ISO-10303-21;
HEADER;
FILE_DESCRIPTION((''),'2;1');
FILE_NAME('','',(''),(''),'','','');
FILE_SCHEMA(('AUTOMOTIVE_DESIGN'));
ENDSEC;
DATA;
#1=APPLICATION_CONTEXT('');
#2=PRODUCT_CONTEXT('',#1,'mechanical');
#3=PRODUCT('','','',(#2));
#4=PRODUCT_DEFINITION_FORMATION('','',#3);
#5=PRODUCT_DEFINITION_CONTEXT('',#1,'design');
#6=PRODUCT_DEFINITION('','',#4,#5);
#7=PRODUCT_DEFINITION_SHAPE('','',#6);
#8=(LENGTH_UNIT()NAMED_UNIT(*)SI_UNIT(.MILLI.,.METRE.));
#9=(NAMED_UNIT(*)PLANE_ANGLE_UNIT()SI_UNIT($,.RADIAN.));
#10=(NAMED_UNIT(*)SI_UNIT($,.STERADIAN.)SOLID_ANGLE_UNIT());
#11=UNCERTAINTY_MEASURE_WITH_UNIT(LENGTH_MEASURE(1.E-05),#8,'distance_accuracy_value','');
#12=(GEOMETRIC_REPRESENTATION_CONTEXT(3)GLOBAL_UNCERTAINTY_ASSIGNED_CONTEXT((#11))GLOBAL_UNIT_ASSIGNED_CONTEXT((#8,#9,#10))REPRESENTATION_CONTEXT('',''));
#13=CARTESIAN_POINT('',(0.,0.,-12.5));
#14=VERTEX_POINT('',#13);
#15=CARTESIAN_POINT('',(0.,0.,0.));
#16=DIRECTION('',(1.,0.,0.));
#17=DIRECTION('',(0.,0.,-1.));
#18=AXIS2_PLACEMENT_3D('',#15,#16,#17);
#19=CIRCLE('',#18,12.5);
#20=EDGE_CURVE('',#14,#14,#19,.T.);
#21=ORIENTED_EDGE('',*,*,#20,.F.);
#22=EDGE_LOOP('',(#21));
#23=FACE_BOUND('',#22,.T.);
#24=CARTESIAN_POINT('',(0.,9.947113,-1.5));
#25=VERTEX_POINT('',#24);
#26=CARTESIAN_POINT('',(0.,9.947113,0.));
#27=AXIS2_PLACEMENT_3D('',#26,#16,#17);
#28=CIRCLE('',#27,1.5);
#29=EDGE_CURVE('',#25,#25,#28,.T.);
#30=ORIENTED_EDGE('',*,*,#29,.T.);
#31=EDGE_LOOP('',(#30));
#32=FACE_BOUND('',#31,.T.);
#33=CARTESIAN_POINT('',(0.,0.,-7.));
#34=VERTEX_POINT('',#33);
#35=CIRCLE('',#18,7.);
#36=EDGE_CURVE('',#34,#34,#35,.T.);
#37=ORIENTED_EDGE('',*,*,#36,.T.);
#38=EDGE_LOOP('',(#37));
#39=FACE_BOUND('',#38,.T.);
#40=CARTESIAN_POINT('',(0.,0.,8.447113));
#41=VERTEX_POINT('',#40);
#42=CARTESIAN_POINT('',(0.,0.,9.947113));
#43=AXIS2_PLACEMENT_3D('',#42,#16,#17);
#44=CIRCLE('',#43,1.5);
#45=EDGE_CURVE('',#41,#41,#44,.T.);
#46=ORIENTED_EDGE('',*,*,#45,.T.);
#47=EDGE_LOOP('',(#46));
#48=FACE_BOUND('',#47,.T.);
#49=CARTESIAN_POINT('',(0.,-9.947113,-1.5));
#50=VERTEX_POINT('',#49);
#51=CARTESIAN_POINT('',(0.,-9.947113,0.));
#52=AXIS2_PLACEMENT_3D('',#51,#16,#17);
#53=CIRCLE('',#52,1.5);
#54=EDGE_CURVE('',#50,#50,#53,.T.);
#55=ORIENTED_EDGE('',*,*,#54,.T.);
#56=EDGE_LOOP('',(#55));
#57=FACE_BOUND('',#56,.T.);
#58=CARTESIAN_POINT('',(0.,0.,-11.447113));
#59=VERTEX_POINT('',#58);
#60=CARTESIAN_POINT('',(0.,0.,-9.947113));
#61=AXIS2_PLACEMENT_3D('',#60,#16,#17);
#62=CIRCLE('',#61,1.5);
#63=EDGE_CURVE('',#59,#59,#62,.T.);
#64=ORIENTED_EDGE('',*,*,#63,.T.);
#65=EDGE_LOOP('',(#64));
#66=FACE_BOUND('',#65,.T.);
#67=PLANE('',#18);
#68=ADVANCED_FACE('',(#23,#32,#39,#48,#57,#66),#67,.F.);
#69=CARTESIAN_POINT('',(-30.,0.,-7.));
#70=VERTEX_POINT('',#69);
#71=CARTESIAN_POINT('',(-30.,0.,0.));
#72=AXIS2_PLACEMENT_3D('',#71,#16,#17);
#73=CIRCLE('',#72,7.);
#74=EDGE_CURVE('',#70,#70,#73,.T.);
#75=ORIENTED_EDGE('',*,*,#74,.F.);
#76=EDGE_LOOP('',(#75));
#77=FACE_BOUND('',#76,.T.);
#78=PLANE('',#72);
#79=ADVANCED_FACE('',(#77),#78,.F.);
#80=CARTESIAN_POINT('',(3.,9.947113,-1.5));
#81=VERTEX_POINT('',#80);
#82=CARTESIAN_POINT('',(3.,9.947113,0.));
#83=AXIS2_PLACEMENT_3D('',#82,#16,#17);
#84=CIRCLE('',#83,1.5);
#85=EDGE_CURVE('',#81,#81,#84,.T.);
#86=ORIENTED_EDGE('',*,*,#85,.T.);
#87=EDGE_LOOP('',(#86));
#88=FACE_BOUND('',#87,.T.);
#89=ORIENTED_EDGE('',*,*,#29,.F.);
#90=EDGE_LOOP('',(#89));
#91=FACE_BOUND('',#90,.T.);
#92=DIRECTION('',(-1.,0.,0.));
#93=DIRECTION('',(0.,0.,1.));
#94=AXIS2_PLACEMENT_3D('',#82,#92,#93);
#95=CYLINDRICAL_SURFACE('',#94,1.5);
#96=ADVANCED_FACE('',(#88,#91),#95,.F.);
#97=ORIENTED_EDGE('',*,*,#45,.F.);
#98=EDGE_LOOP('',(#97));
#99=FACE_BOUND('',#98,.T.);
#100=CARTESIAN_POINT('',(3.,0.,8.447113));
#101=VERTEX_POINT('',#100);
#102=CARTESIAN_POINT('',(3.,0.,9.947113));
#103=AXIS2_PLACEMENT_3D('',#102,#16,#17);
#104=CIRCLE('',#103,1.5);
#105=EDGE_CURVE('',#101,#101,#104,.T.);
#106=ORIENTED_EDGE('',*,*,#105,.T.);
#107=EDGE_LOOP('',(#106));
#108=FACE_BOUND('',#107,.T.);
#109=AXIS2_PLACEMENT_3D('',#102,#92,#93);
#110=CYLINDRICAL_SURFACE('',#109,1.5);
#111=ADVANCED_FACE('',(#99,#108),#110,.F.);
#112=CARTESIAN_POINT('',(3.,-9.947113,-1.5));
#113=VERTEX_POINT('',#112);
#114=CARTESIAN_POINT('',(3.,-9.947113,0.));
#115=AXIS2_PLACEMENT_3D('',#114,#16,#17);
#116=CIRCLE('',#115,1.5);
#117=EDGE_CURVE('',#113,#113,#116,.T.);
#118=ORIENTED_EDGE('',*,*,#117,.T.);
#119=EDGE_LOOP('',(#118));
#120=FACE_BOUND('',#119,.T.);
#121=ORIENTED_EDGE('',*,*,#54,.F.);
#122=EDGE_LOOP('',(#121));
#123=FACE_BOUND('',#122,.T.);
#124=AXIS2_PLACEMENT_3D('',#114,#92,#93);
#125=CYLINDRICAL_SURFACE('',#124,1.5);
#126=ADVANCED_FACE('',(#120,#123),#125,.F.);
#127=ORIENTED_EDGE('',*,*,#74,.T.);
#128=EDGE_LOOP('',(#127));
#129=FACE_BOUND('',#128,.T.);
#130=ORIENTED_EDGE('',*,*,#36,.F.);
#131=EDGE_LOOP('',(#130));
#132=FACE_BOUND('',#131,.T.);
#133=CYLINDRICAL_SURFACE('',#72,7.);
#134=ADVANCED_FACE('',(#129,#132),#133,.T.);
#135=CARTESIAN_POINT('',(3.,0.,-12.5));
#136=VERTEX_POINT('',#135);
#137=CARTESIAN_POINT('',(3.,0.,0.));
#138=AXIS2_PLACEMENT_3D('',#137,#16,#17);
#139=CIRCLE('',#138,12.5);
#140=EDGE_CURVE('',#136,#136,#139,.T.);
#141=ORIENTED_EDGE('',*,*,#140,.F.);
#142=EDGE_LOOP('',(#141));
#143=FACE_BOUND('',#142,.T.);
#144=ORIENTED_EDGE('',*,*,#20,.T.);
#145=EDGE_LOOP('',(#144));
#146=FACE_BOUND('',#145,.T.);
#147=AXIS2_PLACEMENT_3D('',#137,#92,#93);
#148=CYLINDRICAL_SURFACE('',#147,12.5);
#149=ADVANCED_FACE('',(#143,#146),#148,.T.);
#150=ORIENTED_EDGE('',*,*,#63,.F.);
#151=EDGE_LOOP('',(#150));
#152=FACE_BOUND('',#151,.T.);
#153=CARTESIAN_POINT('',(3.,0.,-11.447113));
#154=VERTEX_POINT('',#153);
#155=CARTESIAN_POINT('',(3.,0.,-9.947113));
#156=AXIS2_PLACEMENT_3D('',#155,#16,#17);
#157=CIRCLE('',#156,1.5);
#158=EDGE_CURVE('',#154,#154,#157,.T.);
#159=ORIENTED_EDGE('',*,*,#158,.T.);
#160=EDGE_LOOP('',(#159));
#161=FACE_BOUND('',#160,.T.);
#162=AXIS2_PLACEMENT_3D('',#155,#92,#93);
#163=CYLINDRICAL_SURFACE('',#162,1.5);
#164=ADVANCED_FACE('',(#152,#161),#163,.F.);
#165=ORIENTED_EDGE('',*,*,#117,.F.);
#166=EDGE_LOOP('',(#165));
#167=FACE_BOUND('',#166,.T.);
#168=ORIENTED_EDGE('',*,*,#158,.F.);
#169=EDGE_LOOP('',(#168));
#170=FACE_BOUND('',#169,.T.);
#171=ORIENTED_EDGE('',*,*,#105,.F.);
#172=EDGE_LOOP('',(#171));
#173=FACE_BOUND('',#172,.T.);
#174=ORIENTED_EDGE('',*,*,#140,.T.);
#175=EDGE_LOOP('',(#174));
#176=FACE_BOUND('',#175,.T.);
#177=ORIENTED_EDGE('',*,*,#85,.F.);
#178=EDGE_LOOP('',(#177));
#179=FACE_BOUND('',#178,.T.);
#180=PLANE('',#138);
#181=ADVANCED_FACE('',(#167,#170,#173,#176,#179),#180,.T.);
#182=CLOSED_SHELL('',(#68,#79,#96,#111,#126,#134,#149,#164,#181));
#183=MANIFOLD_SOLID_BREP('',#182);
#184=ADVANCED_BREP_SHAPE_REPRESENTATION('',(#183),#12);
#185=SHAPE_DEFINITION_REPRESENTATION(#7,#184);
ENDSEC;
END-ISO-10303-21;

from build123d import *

# Parameters (mm, degrees)
SKETCH1_R           = 7
BOSS_EXTRUDE1_DEPTH = 30
SKETCH2_R           = 12.5
SKETCH2_R_2         = 1.5
BOSS_EXTRUDE2_DEPTH = 3


with BuildPart() as part:
    # Sketch1 → Boss-Extrude1 (new body)
    with BuildSketch(Plane(origin=(0, 0, 0), x_dir=(0, 0, -1), z_dir=(1, 0, 0))):
        Circle(SKETCH1_R)
    extrude(amount=-BOSS_EXTRUDE1_DEPTH)

    # Sketch2 → Boss-Extrude2 (add)
    with BuildSketch(Plane(origin=(0, 0, 0), x_dir=(0, 0, -1), z_dir=(1, 0, 0))):
        Circle(SKETCH2_R)
        with Locations((0, 9.94711279)):
            Circle(SKETCH2_R_2, mode=Mode.SUBTRACT)
        with Locations((9.94711279, 0)):
            Circle(SKETCH2_R_2, mode=Mode.SUBTRACT)
        with Locations((0, -9.94711279)):
            Circle(SKETCH2_R_2, mode=Mode.SUBTRACT)
        with Locations((-9.94711279, 0)):
            Circle(SKETCH2_R_2, mode=Mode.SUBTRACT)
    extrude(amount=BOSS_EXTRUDE2_DEPTH)


solid = part.part
